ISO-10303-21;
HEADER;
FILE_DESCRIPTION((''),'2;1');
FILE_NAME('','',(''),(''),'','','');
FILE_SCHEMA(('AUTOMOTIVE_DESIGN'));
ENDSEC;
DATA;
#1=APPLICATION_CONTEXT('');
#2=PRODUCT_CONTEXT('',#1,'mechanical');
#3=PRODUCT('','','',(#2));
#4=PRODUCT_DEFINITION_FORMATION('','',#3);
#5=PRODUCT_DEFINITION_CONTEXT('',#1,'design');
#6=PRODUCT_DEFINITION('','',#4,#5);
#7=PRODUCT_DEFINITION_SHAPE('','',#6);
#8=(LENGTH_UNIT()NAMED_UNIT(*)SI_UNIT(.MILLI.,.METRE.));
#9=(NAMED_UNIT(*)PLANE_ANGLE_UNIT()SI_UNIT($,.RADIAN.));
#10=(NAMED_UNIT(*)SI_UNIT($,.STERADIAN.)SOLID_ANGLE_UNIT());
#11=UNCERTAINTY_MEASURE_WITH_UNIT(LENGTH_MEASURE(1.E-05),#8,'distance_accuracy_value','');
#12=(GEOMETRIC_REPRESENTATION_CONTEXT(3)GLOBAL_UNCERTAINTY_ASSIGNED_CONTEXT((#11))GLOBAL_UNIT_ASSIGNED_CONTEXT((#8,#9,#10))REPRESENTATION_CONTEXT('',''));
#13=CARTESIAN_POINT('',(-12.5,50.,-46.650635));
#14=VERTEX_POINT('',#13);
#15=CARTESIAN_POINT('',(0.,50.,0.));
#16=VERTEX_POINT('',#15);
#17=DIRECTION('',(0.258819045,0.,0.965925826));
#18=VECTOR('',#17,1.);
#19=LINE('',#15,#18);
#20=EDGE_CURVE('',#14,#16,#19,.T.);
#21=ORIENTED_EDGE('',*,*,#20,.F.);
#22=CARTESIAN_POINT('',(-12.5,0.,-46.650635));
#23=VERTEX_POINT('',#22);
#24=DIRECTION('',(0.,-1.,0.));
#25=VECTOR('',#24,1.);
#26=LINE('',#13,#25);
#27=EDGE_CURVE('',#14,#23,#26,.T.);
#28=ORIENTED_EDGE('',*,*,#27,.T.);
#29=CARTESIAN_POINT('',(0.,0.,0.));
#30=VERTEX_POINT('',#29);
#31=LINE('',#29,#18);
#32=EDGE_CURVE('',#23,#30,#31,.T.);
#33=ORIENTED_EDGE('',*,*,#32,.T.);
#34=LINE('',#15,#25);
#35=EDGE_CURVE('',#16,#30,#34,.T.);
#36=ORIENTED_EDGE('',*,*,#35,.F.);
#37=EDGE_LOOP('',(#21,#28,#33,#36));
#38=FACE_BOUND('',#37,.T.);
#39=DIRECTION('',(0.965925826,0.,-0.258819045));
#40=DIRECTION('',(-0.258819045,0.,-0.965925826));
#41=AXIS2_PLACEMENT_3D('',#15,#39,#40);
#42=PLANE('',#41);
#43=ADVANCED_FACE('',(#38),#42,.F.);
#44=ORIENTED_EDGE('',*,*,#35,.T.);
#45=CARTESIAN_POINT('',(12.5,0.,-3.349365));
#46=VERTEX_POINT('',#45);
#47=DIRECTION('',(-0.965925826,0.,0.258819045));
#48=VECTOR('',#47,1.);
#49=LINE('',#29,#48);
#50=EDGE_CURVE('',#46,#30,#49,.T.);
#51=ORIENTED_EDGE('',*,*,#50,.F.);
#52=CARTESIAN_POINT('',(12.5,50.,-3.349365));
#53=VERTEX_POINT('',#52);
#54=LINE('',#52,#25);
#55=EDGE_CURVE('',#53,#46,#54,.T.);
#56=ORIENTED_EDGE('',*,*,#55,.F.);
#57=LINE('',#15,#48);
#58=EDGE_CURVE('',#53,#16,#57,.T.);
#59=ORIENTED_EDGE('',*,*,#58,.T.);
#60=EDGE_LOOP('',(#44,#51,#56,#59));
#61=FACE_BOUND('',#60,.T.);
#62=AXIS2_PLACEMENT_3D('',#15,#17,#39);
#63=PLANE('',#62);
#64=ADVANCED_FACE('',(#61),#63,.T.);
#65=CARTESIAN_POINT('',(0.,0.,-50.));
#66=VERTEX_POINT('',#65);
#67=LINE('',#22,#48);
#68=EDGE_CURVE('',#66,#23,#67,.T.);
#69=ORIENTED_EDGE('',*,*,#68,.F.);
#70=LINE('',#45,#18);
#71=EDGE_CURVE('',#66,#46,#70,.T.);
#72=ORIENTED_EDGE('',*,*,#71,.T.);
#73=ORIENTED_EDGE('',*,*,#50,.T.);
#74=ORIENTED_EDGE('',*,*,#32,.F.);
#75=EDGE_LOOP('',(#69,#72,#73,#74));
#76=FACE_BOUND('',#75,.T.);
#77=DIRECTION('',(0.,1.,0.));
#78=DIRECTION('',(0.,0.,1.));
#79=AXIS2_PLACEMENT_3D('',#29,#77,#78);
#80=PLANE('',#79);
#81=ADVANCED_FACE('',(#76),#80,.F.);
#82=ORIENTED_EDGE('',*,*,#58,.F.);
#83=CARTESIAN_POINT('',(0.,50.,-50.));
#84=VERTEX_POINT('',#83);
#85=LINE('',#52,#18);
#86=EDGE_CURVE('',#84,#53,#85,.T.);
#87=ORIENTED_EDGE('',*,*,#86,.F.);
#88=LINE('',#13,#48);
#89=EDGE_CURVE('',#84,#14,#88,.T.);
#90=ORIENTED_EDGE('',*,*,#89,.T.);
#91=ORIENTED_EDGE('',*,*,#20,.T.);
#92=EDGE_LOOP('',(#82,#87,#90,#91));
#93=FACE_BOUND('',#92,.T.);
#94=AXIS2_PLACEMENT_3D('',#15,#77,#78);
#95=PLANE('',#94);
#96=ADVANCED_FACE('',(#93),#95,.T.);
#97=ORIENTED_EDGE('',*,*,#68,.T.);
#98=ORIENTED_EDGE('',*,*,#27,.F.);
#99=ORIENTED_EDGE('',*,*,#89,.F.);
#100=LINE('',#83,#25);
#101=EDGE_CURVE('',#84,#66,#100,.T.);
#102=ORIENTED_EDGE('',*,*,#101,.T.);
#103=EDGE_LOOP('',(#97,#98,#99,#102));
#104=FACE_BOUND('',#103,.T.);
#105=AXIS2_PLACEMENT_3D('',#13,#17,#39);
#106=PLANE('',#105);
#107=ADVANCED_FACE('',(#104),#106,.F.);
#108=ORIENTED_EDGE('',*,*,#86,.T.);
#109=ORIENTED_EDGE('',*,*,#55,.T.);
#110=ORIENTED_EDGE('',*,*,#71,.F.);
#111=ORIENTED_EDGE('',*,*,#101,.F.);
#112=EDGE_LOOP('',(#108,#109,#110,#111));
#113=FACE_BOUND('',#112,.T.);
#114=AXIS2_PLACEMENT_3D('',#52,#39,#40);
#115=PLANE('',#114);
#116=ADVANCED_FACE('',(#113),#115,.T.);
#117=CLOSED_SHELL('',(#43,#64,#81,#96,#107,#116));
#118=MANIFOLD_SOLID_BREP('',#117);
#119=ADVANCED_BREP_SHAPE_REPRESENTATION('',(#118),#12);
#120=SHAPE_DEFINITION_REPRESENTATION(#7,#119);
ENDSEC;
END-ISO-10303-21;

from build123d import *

# Parameters (mm, degrees)
EXTRUDE_1_DEPTH = 50


with BuildPart() as part:
    # 草图1 → 凸台-拉伸1 (new body)
    with BuildSketch(Plane(origin=(0, 0, 0), x_dir=(1, 0, 0), z_dir=(0, 1, 0))):
        Polygon((0, 50), (-12.5, 46.650635095), (0, 0), align=None)
        Polygon((12.5, 3.349364905), (0, 0), (0, 50), align=None)
    extrude(amount=EXTRUDE_1_DEPTH)


solid = part.part
